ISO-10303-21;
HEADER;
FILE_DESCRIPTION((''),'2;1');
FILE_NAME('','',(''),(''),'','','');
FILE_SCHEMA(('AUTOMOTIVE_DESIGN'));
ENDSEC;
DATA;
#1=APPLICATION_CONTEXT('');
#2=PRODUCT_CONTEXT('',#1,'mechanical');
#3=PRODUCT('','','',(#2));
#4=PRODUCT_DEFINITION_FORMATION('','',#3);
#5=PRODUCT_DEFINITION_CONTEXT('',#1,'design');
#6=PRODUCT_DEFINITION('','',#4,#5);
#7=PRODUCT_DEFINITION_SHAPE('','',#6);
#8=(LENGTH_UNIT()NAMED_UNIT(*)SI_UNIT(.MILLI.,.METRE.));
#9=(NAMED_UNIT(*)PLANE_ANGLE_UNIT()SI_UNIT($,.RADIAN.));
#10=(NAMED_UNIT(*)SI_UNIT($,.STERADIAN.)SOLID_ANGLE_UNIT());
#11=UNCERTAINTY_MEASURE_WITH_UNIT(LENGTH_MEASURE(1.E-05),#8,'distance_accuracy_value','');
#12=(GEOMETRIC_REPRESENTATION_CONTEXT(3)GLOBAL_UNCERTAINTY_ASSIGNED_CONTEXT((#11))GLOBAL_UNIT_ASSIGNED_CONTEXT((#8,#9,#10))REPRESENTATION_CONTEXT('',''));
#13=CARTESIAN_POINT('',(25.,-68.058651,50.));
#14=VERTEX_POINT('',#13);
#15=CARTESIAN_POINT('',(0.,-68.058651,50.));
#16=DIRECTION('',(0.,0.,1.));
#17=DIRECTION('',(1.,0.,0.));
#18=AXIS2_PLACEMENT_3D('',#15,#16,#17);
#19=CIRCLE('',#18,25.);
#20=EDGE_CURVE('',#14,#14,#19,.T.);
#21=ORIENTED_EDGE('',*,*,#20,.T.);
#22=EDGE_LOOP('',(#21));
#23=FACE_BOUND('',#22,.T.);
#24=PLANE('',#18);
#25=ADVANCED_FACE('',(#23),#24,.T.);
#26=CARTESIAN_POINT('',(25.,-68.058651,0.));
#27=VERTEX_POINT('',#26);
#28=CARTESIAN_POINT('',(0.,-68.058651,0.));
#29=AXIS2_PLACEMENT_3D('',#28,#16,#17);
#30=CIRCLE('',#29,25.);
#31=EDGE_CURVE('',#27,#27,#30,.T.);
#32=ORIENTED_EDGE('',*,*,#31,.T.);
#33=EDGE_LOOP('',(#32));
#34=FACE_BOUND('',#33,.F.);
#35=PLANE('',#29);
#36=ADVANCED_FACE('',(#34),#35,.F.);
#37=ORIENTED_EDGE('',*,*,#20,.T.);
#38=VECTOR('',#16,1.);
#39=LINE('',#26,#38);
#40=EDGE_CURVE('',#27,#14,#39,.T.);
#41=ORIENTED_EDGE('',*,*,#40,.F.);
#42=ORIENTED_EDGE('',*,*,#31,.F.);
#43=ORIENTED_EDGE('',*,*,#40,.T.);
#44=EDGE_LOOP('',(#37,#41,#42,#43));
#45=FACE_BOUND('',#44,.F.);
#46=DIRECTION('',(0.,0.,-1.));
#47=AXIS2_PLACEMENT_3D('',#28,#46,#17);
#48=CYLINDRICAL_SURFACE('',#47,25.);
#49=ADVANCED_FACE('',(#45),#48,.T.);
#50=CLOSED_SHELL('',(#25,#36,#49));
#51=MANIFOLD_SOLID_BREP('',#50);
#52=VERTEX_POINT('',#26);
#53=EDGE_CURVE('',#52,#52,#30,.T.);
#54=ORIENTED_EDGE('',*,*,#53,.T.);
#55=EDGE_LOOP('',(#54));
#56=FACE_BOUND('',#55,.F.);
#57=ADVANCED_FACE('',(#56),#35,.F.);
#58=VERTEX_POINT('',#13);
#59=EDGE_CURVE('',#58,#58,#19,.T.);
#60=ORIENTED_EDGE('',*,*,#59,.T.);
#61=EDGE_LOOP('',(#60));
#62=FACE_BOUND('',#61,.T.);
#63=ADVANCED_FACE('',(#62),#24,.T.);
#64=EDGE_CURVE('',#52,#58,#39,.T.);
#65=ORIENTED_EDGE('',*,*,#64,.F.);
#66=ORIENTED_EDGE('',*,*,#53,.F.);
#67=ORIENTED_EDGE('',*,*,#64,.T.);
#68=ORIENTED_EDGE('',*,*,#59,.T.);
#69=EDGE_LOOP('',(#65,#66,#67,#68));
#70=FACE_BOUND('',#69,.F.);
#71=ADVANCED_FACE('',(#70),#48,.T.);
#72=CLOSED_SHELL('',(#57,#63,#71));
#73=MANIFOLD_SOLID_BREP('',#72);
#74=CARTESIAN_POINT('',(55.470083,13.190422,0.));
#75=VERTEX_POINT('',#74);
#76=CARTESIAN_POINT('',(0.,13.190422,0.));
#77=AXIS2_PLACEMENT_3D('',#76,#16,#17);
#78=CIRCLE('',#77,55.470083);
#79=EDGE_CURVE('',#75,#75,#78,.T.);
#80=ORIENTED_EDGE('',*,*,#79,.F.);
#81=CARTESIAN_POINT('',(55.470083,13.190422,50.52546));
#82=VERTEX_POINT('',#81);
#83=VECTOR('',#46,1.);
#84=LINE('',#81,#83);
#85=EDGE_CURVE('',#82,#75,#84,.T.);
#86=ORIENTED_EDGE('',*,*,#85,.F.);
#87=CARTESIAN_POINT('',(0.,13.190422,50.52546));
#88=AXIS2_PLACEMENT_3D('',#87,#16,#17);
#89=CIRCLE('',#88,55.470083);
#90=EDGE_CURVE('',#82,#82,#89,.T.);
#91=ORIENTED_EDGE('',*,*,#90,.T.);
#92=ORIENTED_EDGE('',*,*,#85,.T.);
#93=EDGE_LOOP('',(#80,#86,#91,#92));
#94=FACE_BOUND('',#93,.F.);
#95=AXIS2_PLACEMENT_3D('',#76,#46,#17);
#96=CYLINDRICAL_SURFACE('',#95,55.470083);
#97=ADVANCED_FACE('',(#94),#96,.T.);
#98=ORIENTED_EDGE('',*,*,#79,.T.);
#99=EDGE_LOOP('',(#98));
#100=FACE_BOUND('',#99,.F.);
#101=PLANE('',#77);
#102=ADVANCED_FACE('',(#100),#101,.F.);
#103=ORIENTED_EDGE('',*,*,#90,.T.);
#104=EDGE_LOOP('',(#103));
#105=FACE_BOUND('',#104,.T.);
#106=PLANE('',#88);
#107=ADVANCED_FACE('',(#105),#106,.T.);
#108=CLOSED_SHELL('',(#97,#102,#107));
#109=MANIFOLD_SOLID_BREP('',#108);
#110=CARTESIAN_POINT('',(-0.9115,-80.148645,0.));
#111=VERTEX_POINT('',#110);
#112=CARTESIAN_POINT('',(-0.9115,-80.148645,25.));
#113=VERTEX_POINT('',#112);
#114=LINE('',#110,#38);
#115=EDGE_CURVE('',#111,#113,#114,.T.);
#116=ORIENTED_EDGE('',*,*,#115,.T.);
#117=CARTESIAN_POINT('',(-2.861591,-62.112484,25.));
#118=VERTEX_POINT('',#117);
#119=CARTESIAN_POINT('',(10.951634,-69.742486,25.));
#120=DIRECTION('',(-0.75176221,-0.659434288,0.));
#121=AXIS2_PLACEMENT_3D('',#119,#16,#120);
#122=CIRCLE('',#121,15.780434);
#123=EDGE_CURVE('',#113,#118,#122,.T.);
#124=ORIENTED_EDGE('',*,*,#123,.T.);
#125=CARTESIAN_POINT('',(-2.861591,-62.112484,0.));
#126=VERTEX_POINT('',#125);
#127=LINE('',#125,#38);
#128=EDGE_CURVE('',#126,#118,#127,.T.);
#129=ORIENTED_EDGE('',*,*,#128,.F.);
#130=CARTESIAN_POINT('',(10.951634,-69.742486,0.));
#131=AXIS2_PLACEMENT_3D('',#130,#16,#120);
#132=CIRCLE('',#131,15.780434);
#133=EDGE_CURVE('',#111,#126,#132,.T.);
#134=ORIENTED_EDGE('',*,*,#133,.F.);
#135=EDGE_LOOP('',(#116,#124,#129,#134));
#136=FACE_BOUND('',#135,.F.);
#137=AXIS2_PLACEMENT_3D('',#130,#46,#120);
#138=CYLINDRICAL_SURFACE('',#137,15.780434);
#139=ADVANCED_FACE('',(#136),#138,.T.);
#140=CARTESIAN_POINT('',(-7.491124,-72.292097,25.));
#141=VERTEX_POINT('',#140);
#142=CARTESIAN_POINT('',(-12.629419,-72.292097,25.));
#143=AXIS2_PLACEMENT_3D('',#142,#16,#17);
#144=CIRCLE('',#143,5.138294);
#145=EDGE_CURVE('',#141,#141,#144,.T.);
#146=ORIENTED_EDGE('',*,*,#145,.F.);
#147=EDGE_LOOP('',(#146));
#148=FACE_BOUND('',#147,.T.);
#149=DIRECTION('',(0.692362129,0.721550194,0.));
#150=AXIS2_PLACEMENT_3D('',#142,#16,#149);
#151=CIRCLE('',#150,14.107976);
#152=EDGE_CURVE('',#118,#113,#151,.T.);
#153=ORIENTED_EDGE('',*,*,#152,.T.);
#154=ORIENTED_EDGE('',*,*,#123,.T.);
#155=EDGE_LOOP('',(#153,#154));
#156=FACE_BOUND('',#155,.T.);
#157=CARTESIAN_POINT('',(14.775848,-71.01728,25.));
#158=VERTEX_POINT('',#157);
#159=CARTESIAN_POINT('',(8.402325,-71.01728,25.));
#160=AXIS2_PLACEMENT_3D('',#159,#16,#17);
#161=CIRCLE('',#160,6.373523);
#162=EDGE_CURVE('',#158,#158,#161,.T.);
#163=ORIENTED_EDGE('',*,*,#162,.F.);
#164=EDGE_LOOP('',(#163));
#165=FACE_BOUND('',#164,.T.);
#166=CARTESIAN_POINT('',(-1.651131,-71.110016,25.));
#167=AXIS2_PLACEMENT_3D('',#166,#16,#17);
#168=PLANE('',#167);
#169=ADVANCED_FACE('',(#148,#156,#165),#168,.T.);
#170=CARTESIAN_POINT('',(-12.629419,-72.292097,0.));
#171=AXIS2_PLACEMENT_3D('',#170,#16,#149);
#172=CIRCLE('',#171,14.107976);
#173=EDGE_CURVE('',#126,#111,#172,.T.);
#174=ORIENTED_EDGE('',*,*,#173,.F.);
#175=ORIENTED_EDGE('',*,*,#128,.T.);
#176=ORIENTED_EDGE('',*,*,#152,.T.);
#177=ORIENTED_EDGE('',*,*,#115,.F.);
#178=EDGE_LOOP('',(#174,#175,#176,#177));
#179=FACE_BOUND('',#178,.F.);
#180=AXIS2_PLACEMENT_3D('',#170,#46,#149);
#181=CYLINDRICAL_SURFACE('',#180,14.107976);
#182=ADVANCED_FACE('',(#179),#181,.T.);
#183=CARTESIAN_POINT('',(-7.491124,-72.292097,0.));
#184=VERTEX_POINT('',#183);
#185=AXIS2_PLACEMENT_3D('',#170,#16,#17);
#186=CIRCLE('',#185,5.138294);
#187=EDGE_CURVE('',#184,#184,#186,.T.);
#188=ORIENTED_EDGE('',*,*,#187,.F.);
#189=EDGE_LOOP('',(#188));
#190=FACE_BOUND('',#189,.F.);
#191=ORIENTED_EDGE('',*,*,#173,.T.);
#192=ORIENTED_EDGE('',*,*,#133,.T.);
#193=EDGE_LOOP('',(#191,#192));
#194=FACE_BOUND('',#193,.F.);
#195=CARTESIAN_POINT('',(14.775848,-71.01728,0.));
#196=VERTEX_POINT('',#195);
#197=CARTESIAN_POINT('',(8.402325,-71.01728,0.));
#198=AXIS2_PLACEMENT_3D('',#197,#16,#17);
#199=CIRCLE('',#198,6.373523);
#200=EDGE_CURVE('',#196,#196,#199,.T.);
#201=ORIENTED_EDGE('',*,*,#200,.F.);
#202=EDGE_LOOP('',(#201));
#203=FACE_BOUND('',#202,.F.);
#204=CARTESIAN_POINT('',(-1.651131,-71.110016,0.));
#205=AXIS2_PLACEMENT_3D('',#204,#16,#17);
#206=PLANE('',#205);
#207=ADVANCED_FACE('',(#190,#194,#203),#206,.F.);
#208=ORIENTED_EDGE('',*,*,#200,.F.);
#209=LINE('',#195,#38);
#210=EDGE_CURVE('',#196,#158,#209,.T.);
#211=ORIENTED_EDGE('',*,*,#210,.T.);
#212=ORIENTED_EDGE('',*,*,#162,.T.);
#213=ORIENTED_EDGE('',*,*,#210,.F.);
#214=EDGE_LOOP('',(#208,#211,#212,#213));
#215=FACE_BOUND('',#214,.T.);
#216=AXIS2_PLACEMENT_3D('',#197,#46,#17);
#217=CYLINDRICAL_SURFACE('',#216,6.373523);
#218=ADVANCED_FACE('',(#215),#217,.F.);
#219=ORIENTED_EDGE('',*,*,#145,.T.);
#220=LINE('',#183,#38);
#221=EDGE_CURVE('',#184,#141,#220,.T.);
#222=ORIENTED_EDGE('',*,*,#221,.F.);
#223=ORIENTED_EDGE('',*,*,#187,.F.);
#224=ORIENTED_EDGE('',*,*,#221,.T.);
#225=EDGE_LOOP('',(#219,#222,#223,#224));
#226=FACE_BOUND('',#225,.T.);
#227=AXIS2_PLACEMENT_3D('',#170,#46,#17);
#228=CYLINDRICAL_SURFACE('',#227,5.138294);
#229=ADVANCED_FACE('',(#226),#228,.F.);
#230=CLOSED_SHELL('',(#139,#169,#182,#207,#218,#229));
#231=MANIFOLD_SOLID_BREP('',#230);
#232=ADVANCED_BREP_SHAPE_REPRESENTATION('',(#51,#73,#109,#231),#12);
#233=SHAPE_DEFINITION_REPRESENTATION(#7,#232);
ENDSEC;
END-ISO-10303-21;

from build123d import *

# Parameters (mm, degrees)
F1_R     = 25
F2_DEPTH = 50
F0_R     = 25
F3_R     = 55.4700829566
F4_DEPTH = 37.87109
F5_R     = 6.3735231856
F5_R_2   = 5.1382942436
F6_DEPTH = 25
F7_DEPTH = 50.52546


with BuildPart() as f2:
    # F1 (on face) → F2 (new body)
    with BuildSketch(Plane.XY):
        with Locations((0, -68.0586513998)):
            Circle(F1_R)
    extrude(amount=F2_DEPTH)


with BuildPart() as f2b:
    # F0 (on Top) → F2, piece 2 (new body)
    with BuildSketch(Plane.XY):
        with Locations((0, -68.0586513998)):
            Circle(F0_R)
    extrude(amount=F2_DEPTH)


with BuildPart() as f4:
    # F3 (on Top) → F4 (new body)
    with BuildSketch(Plane.XY):
        with Locations((0, 13.1904222071)):
            Circle(F3_R)
    extrude(amount=F4_DEPTH)

    # F7 (add): a face of the model
    f7_faces = [f4.faces().sort_by_distance(p)[0] for p in [
        (0, 13.1904222071, 0),
    ]]
    extrude(f7_faces, amount=-F7_DEPTH)


with BuildPart() as f6:
    # F5 (on Top) → F6 (new body)
    with BuildSketch(Plane.XY):
        with BuildLine():
            ThreePointArc((-0.91149976, -80.1486454122), (0.8678235149, -76.3981207113), (1.4785570202, -72.2920969129))
            ThreePointArc((1.4785570202, -72.2920969129), (0.3482401963, -66.758983111), (-2.8615905806, -62.1124843378))
            ThreePointArc((-2.8615905806, -62.1124843378), (-4.7373627223, -71.4387986015), (-0.91149976, -80.1486454122))
        make_face()
        with BuildLine():
            ThreePointArc((-2.8615905806, -62.1124843378), (0.3482401963, -66.758983111), (1.4785570202, -72.2920969129))
            ThreePointArc((1.4785570202, -72.2920969129), (0.8678235149, -76.3981207113), (-0.91149976, -80.1486454122))
            ThreePointArc((-0.91149976, -80.1486454122), (16.5111622818, -84.5111608851), (26.7320689194, -69.7424858809))
            ThreePointArc((26.7320689194, -69.7424858809), (14.8913945195, -54.4617659522), (-2.8615905806, -62.1124843378))
        make_face()
        with Locations((8.402325213, -71.017280221)):
            Circle(F5_R, mode=Mode.SUBTRACT)
        with BuildLine():
            ThreePointArc((-0.91149976, -80.1486454122), (-4.7373627223, -71.4387986015), (-2.8615905806, -62.1124843378))
            ThreePointArc((-2.8615905806, -62.1124843378), (-26.6556478788, -73.8086292163), (-0.91149976, -80.1486454122))
        make_face()
        with Locations((-12.6294186339, -72.2920969129)):
            Circle(F5_R_2, mode=Mode.SUBTRACT)
    extrude(amount=F6_DEPTH)


solid = Compound([f2.part, f2b.part, f4.part, f6.part])
